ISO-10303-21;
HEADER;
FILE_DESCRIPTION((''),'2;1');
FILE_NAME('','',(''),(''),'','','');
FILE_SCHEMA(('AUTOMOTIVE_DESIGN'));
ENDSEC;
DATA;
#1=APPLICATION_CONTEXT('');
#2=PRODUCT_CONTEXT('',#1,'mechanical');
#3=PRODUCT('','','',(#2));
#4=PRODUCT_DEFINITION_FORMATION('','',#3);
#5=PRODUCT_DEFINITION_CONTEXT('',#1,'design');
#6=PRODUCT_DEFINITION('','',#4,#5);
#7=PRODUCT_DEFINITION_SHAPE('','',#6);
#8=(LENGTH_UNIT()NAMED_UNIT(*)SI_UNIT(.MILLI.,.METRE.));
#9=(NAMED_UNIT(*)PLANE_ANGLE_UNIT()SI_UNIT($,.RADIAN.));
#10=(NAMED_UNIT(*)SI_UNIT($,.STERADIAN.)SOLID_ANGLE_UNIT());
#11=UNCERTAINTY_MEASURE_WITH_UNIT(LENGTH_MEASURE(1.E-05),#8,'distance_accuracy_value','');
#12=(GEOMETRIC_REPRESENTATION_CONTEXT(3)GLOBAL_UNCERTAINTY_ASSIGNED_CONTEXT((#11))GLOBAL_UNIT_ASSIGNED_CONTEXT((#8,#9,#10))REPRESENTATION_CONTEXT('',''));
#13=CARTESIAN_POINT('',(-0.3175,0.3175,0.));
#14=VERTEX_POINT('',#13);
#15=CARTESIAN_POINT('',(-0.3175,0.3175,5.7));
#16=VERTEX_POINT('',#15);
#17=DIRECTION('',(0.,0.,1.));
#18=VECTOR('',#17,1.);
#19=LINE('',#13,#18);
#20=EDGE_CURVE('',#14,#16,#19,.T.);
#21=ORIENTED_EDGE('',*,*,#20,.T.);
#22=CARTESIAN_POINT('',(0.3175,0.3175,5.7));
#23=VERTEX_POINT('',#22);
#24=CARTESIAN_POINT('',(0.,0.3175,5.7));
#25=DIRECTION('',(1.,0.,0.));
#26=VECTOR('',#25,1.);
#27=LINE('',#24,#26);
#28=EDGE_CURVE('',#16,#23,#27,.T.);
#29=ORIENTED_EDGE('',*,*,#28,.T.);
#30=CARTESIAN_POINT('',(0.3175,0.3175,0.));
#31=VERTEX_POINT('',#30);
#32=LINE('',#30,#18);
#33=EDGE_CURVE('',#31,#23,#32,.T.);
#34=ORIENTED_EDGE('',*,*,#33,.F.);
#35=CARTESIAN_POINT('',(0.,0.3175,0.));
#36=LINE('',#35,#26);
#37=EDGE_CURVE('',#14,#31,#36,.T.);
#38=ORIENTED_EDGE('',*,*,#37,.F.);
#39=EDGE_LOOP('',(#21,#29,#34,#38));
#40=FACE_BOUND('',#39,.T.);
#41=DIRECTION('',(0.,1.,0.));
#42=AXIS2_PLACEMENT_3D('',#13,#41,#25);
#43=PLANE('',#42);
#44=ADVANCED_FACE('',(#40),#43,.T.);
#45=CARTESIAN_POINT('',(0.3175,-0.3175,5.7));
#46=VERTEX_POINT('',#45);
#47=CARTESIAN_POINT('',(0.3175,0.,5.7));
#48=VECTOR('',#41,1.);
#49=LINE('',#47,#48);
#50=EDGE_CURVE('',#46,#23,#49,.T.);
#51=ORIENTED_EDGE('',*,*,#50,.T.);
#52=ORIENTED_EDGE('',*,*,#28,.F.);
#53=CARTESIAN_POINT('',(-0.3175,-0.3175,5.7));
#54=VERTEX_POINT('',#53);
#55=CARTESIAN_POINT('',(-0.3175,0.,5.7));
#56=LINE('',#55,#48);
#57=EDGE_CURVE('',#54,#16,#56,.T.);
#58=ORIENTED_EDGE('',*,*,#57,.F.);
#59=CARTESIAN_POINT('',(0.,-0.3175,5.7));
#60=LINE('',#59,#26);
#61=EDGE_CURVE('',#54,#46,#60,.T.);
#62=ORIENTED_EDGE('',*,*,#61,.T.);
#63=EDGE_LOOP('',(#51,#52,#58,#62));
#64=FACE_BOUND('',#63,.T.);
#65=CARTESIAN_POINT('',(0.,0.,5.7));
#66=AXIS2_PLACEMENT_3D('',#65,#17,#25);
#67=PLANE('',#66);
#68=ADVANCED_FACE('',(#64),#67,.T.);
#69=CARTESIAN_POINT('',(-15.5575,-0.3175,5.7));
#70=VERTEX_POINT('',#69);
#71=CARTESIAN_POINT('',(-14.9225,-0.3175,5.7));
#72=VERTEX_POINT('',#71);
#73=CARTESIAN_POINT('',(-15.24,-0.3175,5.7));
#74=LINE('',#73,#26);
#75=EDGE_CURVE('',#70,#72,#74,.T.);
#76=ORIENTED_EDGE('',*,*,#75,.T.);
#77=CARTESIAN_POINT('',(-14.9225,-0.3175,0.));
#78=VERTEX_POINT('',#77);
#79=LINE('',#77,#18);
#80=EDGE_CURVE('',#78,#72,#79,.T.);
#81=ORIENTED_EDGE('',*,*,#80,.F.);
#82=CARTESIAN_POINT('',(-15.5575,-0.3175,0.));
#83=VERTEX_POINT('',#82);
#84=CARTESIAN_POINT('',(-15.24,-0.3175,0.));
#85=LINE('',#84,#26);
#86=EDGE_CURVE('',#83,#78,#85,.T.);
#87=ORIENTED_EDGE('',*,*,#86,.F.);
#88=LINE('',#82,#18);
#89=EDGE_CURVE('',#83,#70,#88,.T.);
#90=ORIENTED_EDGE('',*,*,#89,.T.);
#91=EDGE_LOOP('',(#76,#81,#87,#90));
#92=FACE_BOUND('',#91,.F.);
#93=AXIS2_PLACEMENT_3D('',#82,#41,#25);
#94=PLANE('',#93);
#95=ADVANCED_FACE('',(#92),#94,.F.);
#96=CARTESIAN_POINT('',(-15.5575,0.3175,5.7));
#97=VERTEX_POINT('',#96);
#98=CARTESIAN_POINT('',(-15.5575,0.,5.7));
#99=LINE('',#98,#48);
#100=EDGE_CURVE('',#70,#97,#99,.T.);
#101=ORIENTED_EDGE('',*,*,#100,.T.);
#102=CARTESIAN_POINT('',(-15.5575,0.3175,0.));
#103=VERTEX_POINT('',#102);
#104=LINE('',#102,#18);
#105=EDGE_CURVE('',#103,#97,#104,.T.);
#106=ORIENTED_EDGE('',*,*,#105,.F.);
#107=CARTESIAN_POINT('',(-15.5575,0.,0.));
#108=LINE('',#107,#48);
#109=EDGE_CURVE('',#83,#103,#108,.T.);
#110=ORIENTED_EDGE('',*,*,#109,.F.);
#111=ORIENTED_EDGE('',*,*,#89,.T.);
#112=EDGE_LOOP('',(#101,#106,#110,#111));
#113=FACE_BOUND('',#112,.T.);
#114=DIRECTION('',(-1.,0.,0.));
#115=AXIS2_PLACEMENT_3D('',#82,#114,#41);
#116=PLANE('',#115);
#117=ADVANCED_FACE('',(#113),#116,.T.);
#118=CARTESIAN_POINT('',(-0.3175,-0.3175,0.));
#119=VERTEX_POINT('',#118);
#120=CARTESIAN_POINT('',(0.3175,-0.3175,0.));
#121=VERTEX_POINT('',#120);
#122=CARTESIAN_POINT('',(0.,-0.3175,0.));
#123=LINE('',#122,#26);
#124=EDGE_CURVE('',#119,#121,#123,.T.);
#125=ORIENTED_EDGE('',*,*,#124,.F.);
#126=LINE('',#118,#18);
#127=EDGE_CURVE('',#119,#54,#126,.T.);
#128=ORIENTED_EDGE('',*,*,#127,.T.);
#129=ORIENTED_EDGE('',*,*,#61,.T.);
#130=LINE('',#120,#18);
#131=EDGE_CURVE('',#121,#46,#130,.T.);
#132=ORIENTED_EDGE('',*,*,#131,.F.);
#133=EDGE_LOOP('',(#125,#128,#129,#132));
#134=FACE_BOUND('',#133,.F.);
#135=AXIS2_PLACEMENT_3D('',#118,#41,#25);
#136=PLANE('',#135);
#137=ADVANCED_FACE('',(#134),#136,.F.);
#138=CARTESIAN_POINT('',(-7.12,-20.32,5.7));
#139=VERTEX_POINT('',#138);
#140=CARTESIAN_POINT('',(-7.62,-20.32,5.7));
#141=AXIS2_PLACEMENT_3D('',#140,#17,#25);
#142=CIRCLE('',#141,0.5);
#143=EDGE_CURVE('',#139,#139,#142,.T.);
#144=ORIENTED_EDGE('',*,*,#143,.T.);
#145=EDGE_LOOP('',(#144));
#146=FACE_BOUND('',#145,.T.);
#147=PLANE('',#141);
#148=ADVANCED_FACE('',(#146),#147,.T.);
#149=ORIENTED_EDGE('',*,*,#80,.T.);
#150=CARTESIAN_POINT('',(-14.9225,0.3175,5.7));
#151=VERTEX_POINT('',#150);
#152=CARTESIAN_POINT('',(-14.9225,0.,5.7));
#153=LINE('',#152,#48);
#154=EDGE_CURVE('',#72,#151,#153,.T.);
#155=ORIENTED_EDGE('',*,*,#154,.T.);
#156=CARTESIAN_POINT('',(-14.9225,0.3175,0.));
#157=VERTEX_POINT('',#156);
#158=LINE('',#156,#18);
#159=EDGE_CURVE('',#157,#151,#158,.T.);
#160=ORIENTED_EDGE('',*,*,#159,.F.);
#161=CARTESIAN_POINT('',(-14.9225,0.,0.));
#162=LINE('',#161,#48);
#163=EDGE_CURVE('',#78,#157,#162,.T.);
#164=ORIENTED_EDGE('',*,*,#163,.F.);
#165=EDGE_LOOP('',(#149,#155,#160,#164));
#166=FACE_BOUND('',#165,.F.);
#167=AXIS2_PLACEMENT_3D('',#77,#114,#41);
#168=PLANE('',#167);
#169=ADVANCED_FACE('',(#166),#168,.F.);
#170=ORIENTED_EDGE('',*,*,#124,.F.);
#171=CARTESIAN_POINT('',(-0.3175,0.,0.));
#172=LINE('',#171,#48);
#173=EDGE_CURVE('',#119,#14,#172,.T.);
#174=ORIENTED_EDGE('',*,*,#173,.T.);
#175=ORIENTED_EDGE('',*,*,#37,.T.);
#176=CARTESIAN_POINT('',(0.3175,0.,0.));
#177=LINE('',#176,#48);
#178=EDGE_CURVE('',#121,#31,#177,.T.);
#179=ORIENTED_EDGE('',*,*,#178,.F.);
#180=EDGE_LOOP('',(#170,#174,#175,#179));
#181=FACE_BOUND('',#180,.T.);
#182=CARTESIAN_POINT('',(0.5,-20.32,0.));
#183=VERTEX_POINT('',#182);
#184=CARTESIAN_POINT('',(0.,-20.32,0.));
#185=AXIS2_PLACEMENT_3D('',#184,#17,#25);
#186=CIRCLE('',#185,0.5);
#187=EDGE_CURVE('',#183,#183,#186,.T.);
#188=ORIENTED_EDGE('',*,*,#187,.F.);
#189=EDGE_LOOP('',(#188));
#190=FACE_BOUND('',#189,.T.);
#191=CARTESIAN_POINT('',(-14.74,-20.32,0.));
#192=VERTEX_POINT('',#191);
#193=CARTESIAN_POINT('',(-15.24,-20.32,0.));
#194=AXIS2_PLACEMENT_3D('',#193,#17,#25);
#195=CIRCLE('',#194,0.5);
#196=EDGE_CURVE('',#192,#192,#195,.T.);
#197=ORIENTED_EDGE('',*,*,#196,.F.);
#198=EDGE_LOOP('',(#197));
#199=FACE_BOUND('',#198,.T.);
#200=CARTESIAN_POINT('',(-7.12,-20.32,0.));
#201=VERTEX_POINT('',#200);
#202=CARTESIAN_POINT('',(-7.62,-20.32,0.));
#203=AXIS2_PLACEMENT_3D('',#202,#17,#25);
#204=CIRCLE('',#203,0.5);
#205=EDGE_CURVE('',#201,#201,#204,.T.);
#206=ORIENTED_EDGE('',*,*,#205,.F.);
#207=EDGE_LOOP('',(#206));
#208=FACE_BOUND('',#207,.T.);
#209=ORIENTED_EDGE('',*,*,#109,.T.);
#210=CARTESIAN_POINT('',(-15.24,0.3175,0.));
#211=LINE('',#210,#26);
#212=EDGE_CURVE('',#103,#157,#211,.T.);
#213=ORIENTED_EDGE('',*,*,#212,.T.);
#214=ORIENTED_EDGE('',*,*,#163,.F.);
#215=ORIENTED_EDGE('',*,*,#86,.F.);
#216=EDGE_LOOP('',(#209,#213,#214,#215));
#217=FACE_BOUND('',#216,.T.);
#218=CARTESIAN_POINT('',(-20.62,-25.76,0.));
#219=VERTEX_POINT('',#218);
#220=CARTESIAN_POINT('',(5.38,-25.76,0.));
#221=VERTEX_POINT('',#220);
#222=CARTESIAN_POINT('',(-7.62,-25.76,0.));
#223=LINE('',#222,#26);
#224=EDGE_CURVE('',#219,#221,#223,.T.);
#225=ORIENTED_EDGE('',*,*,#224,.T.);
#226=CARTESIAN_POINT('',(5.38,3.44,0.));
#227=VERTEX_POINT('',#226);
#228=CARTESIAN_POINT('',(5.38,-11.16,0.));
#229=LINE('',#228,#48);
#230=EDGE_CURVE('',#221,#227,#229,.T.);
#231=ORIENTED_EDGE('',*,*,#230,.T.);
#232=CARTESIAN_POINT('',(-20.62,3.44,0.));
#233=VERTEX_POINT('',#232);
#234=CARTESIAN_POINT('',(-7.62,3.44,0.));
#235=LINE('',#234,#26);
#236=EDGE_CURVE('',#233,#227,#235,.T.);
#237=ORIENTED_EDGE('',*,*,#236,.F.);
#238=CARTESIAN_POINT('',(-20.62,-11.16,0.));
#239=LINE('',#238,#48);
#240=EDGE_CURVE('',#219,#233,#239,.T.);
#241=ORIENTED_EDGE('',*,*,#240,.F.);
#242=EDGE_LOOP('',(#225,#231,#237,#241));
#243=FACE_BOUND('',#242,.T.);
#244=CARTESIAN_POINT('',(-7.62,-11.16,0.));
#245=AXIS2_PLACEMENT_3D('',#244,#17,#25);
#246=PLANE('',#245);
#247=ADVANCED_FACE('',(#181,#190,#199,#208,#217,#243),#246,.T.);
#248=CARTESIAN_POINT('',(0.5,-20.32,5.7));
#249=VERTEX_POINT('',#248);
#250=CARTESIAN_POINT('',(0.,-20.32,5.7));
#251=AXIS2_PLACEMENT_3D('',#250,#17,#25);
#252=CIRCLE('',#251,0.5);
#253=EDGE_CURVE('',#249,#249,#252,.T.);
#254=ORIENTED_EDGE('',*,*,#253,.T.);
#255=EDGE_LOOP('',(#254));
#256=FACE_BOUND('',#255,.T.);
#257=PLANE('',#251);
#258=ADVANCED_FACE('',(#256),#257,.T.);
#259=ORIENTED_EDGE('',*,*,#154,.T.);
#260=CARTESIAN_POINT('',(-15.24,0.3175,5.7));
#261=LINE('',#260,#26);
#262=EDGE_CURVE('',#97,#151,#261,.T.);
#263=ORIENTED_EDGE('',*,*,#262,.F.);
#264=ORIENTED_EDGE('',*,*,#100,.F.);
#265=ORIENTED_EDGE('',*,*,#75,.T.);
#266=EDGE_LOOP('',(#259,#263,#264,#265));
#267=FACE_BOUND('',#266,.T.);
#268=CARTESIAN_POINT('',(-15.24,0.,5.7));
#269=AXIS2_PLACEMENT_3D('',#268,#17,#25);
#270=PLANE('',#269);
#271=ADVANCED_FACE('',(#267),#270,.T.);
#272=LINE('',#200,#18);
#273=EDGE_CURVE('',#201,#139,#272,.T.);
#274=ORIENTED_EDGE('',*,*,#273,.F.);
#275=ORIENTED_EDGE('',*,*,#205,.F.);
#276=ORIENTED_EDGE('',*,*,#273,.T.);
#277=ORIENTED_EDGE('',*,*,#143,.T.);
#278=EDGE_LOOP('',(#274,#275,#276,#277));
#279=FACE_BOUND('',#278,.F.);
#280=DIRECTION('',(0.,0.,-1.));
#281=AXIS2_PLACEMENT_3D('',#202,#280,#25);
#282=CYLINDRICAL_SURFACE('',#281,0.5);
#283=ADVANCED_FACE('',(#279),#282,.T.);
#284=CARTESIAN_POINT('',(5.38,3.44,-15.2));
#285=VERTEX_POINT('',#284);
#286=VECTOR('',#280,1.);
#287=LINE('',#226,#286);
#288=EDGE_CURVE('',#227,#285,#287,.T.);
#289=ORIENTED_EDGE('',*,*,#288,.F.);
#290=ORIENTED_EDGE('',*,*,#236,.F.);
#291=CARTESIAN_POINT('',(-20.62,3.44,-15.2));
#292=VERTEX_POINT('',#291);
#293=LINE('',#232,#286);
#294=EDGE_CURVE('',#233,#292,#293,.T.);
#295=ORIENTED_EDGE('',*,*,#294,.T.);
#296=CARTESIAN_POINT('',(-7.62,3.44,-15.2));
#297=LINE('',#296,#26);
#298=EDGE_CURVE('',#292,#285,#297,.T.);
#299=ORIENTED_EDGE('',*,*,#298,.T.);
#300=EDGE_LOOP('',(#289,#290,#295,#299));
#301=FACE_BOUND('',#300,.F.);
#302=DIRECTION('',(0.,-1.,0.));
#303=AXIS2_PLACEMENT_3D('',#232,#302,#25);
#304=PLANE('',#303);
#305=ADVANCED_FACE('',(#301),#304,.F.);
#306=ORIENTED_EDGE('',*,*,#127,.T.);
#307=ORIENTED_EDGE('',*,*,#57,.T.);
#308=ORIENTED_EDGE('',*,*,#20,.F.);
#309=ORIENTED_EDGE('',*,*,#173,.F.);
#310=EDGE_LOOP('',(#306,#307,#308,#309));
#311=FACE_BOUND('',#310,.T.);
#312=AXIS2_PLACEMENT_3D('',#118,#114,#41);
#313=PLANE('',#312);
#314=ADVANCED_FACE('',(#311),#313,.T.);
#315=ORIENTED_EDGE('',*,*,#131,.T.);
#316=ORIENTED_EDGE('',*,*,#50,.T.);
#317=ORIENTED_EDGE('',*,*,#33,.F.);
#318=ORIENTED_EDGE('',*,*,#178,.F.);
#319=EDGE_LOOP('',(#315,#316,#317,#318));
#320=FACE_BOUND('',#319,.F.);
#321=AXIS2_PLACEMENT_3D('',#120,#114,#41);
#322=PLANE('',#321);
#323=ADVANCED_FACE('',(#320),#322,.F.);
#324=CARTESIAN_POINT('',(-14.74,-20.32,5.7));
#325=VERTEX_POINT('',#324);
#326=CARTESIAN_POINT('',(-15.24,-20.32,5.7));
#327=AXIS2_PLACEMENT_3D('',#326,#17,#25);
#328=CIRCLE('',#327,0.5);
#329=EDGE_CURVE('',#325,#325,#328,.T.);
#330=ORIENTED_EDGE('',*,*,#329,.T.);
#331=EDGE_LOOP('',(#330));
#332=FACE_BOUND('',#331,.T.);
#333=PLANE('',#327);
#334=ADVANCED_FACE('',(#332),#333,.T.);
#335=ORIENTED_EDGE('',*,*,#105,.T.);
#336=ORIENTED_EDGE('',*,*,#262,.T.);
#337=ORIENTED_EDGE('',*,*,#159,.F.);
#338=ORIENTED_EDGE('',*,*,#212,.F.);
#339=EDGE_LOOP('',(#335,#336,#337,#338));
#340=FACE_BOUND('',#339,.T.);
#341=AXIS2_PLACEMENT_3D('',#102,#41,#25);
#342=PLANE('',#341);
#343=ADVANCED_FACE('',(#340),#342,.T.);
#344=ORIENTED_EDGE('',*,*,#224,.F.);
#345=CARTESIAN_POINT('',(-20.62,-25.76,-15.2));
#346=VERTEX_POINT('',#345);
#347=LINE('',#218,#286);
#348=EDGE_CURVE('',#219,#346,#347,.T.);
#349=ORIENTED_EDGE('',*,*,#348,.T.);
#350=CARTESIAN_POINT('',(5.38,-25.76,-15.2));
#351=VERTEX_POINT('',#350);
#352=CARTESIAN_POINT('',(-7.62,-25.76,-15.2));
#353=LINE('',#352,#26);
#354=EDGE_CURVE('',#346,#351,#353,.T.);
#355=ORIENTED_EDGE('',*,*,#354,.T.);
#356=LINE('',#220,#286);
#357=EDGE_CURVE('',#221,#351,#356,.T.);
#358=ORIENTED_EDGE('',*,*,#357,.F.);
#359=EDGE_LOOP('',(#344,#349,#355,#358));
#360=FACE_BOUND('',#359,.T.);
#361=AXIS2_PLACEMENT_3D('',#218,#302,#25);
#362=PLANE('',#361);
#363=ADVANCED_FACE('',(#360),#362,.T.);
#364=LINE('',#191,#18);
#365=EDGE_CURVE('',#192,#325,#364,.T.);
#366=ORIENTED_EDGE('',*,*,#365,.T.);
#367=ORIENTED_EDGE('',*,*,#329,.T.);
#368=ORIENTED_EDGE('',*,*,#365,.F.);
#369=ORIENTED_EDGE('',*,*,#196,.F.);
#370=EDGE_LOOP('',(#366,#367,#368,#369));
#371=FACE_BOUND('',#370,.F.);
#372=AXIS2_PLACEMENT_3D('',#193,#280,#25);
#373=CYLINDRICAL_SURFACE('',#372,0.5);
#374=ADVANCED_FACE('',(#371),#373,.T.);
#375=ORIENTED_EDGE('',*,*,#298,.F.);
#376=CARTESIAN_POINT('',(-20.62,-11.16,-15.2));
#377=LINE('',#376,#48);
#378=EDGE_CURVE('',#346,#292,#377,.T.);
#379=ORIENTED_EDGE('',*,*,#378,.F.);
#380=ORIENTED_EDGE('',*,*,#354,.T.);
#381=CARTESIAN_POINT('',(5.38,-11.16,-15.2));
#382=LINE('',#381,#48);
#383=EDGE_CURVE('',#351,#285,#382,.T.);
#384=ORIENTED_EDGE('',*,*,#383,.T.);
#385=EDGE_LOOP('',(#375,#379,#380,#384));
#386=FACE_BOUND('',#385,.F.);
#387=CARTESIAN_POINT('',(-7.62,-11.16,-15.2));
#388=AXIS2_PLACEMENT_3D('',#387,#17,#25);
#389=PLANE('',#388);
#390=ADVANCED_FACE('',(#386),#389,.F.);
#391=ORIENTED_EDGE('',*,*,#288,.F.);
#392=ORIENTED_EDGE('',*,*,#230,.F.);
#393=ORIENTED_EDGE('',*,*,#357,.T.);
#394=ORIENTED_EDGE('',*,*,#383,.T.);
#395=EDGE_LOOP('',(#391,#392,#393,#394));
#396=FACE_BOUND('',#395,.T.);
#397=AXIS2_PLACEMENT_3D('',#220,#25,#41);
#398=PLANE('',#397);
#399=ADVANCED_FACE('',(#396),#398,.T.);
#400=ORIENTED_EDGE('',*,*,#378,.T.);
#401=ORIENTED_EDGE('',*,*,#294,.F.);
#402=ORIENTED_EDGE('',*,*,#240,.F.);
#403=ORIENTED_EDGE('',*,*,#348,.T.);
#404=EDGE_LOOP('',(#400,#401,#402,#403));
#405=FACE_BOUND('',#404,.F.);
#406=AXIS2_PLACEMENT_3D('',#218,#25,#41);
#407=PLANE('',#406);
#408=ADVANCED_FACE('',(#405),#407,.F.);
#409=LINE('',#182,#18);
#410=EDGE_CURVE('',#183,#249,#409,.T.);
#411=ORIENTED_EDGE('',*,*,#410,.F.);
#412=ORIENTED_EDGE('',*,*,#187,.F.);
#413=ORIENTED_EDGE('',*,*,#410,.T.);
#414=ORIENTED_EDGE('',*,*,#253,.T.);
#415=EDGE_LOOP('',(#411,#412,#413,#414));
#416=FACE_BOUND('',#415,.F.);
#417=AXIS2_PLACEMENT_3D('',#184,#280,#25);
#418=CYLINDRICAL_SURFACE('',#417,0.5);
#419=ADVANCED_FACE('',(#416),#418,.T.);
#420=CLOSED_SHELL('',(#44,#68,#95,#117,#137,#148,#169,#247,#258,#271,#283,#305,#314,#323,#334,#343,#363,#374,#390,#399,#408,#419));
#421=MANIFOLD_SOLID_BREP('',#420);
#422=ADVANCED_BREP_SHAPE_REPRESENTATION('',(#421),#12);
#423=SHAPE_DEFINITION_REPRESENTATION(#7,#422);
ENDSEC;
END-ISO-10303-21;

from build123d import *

# Parameters (mm, degrees)
SKETCH_W         = 26
SKETCH_H         = 29.2
EXTRUDE_DEPTH    = 15.2
SKETCH001_R      = 0.5
SKETCH001_W      = 0.635
SKETCH001_H      = 0.635
EXTRUDE001_DEPTH = 5.7


with BuildPart() as extrude_body:
    # Sketch → Extrude (new body)
    with BuildSketch(Plane.XY):
        with Locations((-7.62, -11.16)):
            Rectangle(SKETCH_W, SKETCH_H)
    extrude(amount=-EXTRUDE_DEPTH)


with BuildPart() as fusion:
    # Sketch001 → Extrude001 (new body)
    with BuildSketch(Plane.XY):
        with Locations((-15.24, -20.32)):
            Circle(SKETCH001_R)
        with Locations((-7.62, -20.32)):
            Circle(SKETCH001_R)
        with Locations((0, -20.32)):
            Circle(SKETCH001_R)
        Rectangle(SKETCH001_W, SKETCH001_H)
        with Locations((-15.24, 0)):
            Rectangle(SKETCH001_W, SKETCH001_H)
    extrude(amount=EXTRUDE001_DEPTH)

    # Fusion: union Extrude body
    add(extrude_body.part)


solid = fusion.part
